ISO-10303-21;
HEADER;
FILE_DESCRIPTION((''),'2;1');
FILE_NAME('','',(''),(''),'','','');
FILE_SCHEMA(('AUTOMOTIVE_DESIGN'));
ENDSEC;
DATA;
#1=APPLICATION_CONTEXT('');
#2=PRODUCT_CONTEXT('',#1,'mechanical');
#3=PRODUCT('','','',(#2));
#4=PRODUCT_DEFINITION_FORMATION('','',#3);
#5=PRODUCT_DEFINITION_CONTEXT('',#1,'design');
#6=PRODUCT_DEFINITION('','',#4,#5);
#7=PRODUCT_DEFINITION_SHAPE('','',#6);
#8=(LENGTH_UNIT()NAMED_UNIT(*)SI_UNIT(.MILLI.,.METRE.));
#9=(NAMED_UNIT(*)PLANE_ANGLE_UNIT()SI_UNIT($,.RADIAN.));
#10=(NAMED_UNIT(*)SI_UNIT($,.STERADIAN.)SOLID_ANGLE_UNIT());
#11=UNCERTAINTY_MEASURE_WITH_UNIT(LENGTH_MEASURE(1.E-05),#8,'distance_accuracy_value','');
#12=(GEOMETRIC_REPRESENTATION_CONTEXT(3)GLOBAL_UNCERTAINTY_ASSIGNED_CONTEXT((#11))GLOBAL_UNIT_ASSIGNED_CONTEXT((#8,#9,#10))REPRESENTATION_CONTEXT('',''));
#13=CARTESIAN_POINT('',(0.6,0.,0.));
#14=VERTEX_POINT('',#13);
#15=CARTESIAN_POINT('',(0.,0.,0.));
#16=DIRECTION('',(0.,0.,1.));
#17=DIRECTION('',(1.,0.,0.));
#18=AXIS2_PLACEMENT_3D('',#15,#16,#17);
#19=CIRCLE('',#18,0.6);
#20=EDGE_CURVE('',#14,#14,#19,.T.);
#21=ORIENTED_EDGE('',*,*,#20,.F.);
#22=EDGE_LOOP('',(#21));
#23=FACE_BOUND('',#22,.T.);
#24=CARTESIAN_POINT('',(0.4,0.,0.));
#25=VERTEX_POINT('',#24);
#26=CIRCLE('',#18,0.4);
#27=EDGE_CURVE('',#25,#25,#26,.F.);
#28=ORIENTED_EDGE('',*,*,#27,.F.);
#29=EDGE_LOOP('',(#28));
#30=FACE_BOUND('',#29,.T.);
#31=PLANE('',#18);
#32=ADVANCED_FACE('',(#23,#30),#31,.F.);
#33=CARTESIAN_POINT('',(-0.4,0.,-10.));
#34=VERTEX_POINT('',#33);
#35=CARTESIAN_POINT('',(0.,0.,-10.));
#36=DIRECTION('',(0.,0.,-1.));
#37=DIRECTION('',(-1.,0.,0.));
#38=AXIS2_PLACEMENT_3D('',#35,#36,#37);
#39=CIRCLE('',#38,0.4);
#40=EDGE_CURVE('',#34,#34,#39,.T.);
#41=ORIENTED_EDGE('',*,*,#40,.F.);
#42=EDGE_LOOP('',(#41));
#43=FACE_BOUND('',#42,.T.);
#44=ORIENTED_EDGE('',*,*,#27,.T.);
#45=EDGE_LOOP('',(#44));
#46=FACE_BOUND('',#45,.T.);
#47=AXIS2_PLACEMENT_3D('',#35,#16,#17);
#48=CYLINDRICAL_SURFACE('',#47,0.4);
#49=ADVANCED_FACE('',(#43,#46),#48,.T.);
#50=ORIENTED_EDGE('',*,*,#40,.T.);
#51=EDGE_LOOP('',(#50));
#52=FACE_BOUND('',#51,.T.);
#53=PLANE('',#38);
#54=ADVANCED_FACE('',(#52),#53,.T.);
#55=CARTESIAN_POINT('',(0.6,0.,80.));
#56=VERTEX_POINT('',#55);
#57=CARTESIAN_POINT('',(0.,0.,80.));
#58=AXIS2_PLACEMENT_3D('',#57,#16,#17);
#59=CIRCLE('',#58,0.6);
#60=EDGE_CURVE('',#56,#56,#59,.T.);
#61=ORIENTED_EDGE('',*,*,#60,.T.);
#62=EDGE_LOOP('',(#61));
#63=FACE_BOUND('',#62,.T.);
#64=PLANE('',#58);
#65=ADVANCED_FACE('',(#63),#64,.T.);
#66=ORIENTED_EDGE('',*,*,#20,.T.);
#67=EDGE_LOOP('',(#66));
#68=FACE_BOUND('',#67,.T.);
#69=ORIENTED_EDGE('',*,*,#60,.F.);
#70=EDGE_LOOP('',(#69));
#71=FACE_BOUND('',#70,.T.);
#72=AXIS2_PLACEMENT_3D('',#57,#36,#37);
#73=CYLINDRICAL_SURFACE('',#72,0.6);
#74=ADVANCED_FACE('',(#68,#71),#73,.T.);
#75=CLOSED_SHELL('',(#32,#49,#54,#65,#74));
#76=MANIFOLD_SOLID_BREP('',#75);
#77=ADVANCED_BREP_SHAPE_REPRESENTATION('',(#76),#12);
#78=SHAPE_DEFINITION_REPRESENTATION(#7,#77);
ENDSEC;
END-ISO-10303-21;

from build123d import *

# Parameters (mm, degrees)
SKETCH_1_R      = 0.6
EXTRUDE_1_DEPTH = 80
SKETCH_2_R      = 0.4
EXTRUDE_2_DEPTH = 10


with BuildPart() as part:
    # Эскиз1 → Вытянуть1 (new body)
    with BuildSketch(Plane.XY):
        Circle(SKETCH_1_R)
    extrude(amount=EXTRUDE_1_DEPTH)

    # Эскиз2 → Вытянуть2 (add)
    with BuildSketch(Plane(origin=(0, 0, 0), x_dir=(-1, 0, 0), z_dir=(0, 0, -1))):
        with Locations(Location((0, 0, 0), (0, 0, 180))):
            Circle(SKETCH_2_R)
    extrude(amount=EXTRUDE_2_DEPTH)


solid = part.part
